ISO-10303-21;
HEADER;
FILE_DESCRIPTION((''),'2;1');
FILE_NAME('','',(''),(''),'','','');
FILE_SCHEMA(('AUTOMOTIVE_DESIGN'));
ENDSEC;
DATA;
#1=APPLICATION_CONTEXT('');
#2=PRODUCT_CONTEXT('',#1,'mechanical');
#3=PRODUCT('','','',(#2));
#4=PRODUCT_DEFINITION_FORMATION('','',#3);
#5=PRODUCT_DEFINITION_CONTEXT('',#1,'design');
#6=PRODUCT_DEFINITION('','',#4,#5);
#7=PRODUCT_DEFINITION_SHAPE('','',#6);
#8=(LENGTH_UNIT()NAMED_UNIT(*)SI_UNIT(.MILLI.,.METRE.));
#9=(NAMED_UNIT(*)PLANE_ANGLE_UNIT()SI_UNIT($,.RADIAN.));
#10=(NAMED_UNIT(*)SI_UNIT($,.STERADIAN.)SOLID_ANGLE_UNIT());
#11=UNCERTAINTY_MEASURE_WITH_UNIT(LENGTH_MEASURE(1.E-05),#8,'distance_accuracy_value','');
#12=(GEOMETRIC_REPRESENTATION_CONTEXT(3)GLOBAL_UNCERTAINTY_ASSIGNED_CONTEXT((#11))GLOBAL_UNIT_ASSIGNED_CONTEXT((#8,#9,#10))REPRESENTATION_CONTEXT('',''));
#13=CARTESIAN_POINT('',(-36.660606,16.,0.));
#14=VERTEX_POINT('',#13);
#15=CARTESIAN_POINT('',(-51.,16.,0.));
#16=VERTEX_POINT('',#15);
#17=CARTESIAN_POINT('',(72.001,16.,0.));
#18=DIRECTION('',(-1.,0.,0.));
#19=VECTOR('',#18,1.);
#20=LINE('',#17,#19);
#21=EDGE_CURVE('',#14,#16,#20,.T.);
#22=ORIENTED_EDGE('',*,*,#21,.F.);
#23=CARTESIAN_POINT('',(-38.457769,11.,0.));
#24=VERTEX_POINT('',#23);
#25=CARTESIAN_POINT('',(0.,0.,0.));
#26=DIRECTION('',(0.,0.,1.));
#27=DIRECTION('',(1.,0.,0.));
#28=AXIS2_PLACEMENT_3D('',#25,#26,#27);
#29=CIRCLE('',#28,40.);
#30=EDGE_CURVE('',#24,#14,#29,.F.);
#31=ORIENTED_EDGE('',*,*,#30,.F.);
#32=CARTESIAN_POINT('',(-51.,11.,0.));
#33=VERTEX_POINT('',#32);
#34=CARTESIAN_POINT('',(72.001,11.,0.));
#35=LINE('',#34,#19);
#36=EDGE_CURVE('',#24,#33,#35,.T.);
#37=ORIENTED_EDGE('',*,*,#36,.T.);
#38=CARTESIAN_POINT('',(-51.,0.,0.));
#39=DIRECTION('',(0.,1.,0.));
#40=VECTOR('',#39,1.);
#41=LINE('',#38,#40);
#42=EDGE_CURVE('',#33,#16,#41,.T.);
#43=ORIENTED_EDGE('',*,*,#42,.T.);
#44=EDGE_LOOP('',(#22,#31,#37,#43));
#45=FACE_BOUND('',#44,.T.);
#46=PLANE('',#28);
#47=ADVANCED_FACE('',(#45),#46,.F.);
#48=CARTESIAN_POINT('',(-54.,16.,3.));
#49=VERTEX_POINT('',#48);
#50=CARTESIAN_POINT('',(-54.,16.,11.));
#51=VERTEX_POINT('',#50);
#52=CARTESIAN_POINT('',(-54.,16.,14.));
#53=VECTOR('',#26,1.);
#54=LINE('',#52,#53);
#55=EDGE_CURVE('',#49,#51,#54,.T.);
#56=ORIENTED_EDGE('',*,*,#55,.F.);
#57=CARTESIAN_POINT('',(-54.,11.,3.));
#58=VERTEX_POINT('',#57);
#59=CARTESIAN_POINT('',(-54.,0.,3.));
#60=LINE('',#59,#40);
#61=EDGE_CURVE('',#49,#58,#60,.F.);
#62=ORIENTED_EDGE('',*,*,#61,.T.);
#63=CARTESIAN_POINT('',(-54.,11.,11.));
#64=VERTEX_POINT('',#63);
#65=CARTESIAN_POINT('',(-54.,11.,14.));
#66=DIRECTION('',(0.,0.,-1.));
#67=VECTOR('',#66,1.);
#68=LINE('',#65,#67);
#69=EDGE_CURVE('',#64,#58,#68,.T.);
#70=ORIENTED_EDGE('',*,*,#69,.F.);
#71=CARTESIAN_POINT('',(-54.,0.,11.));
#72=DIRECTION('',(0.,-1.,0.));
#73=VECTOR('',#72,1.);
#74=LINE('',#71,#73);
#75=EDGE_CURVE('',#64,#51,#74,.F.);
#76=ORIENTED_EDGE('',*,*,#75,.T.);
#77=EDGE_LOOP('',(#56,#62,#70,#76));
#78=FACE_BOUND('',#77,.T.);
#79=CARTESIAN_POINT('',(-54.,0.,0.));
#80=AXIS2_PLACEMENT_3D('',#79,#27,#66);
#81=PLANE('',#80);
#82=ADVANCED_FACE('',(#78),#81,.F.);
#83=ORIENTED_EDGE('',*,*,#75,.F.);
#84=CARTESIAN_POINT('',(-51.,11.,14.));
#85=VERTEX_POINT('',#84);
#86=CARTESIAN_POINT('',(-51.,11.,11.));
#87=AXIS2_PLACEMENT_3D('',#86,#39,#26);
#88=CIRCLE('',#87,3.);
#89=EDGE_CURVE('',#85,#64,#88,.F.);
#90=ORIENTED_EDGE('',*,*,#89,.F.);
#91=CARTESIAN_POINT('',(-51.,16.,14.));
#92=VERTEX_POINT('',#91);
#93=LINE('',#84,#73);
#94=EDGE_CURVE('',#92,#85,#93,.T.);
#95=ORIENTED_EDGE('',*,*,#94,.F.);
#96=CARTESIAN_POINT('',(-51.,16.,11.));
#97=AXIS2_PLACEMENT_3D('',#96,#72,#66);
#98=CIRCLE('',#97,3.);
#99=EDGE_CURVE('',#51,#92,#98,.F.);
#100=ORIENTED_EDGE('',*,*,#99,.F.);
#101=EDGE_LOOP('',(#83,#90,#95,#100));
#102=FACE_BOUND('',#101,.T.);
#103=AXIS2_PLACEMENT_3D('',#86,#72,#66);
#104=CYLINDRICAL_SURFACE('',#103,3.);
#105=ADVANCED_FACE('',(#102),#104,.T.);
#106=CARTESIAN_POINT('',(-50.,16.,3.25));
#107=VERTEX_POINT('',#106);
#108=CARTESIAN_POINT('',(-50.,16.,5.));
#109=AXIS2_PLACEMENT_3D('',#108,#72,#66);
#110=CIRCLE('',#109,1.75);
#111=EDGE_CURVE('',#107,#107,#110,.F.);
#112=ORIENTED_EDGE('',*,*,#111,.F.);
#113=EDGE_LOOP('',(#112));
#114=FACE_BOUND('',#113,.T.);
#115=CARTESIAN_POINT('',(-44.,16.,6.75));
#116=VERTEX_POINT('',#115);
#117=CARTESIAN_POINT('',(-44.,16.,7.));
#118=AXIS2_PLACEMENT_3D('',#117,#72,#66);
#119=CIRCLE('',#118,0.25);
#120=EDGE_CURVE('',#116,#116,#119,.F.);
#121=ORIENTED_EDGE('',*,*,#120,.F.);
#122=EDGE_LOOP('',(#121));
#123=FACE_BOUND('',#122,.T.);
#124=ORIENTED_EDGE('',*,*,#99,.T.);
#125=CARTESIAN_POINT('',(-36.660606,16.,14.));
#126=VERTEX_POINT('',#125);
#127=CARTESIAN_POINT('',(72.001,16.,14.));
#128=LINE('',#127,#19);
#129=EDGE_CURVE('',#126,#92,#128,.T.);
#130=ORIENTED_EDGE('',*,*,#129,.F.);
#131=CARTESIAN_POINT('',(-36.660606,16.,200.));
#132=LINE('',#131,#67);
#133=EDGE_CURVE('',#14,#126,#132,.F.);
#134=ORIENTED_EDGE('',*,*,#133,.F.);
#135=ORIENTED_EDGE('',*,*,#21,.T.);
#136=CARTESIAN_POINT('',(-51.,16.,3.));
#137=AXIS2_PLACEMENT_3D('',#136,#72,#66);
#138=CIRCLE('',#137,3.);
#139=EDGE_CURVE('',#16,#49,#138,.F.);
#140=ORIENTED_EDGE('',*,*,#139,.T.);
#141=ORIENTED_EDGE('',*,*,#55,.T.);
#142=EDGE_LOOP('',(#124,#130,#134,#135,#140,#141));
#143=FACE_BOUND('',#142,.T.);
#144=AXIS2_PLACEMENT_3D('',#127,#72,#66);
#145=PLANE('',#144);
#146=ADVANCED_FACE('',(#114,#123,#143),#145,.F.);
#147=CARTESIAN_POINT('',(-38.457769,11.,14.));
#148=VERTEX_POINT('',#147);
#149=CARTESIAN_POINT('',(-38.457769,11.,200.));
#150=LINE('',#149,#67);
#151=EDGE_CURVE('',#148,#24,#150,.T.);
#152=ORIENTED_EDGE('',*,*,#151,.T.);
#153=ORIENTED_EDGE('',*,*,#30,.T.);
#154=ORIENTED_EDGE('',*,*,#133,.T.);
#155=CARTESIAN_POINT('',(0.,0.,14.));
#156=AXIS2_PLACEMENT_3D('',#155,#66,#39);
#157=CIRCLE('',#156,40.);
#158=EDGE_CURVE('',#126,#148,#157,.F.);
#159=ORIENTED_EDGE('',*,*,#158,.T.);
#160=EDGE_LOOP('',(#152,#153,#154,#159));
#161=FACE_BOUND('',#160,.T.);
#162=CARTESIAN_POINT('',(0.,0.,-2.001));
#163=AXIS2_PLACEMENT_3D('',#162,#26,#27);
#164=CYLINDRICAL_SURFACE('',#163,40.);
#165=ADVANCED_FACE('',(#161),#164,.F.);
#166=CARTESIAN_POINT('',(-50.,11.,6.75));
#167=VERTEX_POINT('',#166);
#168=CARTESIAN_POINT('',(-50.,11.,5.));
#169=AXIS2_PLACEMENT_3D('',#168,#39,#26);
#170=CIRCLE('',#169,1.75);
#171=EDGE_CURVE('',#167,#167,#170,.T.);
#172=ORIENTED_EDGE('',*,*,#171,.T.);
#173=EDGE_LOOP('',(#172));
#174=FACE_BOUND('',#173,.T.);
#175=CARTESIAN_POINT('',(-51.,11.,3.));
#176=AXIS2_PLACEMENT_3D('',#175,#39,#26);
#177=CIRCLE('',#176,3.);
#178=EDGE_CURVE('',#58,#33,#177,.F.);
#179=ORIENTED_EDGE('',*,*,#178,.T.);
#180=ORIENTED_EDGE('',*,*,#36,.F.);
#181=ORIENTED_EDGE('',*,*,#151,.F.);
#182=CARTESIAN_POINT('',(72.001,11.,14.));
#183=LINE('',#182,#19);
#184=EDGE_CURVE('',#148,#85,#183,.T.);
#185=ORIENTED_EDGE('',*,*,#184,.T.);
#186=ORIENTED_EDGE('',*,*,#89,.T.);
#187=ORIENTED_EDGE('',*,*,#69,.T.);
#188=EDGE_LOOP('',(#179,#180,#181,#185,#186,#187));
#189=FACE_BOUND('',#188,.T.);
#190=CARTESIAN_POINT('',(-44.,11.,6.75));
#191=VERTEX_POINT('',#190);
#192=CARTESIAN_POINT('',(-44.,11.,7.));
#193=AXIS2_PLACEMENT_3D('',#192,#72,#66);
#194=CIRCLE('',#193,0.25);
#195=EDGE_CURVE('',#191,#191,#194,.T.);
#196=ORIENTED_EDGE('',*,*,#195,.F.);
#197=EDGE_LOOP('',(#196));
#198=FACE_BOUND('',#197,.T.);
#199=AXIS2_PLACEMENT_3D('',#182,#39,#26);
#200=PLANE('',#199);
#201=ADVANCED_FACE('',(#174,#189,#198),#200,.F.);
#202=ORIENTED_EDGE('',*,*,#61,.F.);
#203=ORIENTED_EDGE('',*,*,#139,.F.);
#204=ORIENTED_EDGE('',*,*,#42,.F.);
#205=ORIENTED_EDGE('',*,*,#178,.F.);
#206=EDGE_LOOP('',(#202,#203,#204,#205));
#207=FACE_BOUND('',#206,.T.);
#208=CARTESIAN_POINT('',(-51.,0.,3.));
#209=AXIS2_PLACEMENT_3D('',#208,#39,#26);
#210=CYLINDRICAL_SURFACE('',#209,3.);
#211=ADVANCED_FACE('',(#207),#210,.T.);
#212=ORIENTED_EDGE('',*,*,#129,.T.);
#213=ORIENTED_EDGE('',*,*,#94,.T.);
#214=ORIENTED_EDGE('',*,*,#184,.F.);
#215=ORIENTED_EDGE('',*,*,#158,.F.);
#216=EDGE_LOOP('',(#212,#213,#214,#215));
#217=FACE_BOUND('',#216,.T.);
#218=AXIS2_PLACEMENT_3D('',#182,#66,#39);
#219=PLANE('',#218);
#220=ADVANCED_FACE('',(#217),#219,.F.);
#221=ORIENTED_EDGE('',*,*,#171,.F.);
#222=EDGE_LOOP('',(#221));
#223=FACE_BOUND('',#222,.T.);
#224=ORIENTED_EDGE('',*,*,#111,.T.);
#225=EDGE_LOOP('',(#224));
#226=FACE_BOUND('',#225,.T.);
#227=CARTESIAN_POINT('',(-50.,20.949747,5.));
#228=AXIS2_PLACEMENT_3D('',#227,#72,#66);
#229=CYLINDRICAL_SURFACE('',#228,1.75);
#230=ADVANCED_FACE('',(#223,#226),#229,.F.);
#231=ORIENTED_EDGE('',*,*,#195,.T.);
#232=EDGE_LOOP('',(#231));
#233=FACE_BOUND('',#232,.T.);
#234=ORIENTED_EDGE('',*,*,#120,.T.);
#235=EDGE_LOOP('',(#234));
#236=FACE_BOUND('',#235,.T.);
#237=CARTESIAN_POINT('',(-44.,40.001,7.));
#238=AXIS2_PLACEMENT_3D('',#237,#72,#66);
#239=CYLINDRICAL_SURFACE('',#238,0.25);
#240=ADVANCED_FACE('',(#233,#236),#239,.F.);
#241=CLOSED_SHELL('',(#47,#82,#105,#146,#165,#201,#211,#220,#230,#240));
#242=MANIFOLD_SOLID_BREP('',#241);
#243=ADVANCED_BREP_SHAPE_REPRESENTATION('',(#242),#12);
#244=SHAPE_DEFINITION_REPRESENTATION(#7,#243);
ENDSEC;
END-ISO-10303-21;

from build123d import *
from build123d.topology import SkipClean

# Parameters (mm, degrees)
SKETCH1_R                      = 40
SKETCH1_R_2                    = 38
BOSS_EXTRUDE1_DEPTH            = 200
SKETCH2_R                      = 40
BOSS_EXTRUDE2_DEPTH            = 2
BOSS_EXTRUDE3_DEPTH            = 107
BOSS_EXTRUDE4_DEPTH            = 2
SKETCH5_R                      = 1.75
CUT_EXTRUDE1_DEPTH             = 225.428162226
CUT_EXTRUDE2_REACH             = 218.296
SKETCH6_R                      = 4
CUT_EXTRUDE2_DIRECTION_2_REACH = 218.296
CIRPATTERN1_COUNT              = 2
CIRPATTERN1_ANGLE              = 90
BOSS_EXTRUDE5_REACH            = 241.742
BOSS_EXTRUDE5_END_RADIUS       = 40
SKETCH7_W                      = 14
SKETCH7_H                      = 5
CUT_EXTRUDE3_REACH             = 221.818
SKETCH8_R                      = 1.75
FILLET1_R                      = 3
CUT_EXTRUDE4_REACH             = 220.598
SKETCH9_R                      = 0.25
BOSS_EXTRUDE6_START            = 2
BOSS_EXTRUDE6_DEPTH            = 2
CUT_EXTRUDE5_REACH             = 220.147


with BuildPart() as part:
    # Sketch1 → Boss-Extrude1 (new body)
    with BuildSketch(Plane.XY):
        Circle(SKETCH1_R)
        Circle(SKETCH1_R_2, mode=Mode.SUBTRACT)
    extrude(amount=BOSS_EXTRUDE1_DEPTH)

    # Sketch2 → Boss-Extrude2 (add)
    with BuildSketch(Plane.XY.offset(180)):
        Circle(SKETCH2_R)
    extrude(amount=BOSS_EXTRUDE2_DEPTH)

    # Sketch3 → Boss-Extrude3 (add)
    with BuildSketch(Plane(origin=(0, 0, 0), x_dir=(-1, 0, 0), z_dir=(0, 0, -1))):
        with BuildLine():
            Line((-24, -32), (-72, -32))
            Line((-72, -32), (-72, -30))
            Line((-72, -30), (-26.457513111, -30))
            ThreePointArc((-26.457513111, -30), (-25.248567431, -31.024342744), (-24, -32))
        make_face()
        with BuildLine():
            Line((-24, 32), (-72, 32))
            Line((-72, 32), (-72, 30))
            Line((-72, 30), (-26.457513111, 30))
            ThreePointArc((-26.457513111, 30), (-25.248567431, 31.024342744), (-24, 32))
        make_face()
    extrude(amount=-BOSS_EXTRUDE3_DEPTH)

    # Sketch4 → Boss-Extrude4 (add)
    with BuildSketch(Plane.XY.offset(107)):
        with BuildLine():
            Line((72, -32), (24, -32))
            ThreePointArc((24, -32), (40, 0), (24, 32))
            Line((24, 32), (72, 32))
            Line((72, 32), (72, -32))
        make_face()
    extrude(amount=BOSS_EXTRUDE4_DEPTH)

    # Sketch5 → Cut-Extrude1 (cut, through all)
    with BuildSketch(Plane(origin=(0, 32, 0), x_dir=(1, 0, 0), z_dir=(0, 1, 0))):
        with Locations(Location((43.5, -102.5, 0), (0, 0, 270))):
            Circle(SKETCH5_R)
        with Locations(Location((43.5, -3.5, 0), (0, 0, 270))):
            Circle(SKETCH5_R)
        with Locations(Location((68.5, -78, 0), (0, 0, 270))):
            Circle(SKETCH5_R)
    extrude(amount=-CUT_EXTRUDE1_DEPTH, mode=Mode.SUBTRACT)

    # Sketch6 → Cut-Extrude2 (cut, up to next)
    with BuildSketch(Plane(origin=(0, 0, 0), x_dir=(0, 0, 1), z_dir=(-0.7071067811865488, 0.7071067811865464, 0)), mode=Mode.PRIVATE) as cut_extrude2_sk1:
        with Locations(Location((187, 0, 0), (0, 0, 90))):
            Circle(SKETCH6_R)
    cut_extrude2_tool1 = extrude(cut_extrude2_sk1.sketch, amount=-CUT_EXTRUDE2_REACH, mode=Mode.PRIVATE) & part.part
    cut_extrude2 = cut_extrude2_tool1.solids().sort_by_distance((0, 0, 187))[0]
    add(cut_extrude2, mode=Mode.SUBTRACT)

    # Sketch6 → Cut-Extrude2 direction 2 (cut, up to next)
    with BuildSketch(Plane(origin=(0, 0, 0), x_dir=(0, 0, 1), z_dir=(-0.7071067811865488, 0.7071067811865464, 0)), mode=Mode.PRIVATE) as cut_extrude2_direction_2_sk1:
        with Locations(Location((187, 0, 0), (0, 0, 90))):
            Circle(SKETCH6_R)
    cut_extrude2_direction_2_tool1 = extrude(cut_extrude2_direction_2_sk1.sketch, amount=CUT_EXTRUDE2_DIRECTION_2_REACH, mode=Mode.PRIVATE) & part.part
    cut_extrude2_direction_2 = cut_extrude2_direction_2_tool1.solids().sort_by_distance((0, 0, 187))[0]
    add(cut_extrude2_direction_2, mode=Mode.SUBTRACT)

    # CirPattern1: Cut-Extrude2, Cut-Extrude2 direction 2 ×2 about axis
    cirpattern1_axis = Axis((0, 0, -12.1), (0, 0, 1))
    add([cut_extrude2.rotate(cirpattern1_axis, i * CIRPATTERN1_ANGLE / (CIRPATTERN1_COUNT - 1)) for i in range(1, CIRPATTERN1_COUNT)], mode=Mode.SUBTRACT)
    add([cut_extrude2_direction_2.rotate(cirpattern1_axis, i * CIRPATTERN1_ANGLE / (CIRPATTERN1_COUNT - 1)) for i in range(1, CIRPATTERN1_COUNT)], mode=Mode.SUBTRACT)

    # Boss-Extrude5: up to this cylinder (the profile starts outside it)
    boss_extrude5_end = Plane(origin=(0, 0, 7), z_dir=(0, 0, -1)) * Cylinder(BOSS_EXTRUDE5_END_RADIUS, 564.484, mode=Mode.PRIVATE)
    # Sketch7 → Boss-Extrude5 (add, up to the surface)
    with BuildSketch(Plane(origin=(-54, 0, 0), x_dir=(0, 0, -1), z_dir=(1, 0, 0)), mode=Mode.PRIVATE) as boss_extrude5_sk1:
        with Locations((-7, -13.5)):
            Rectangle(SKETCH7_W, SKETCH7_H)
    boss_extrude5_tool1 = extrude(boss_extrude5_sk1.sketch, amount=BOSS_EXTRUDE5_REACH, mode=Mode.PRIVATE) - boss_extrude5_end
    add(boss_extrude5_tool1.solids().sort_by_distance((-54, -13.5, 7))[0])
    # Sketch7 → Boss-Extrude5 (add, up to the surface)
    with BuildSketch(Plane(origin=(-54, 0, 0), x_dir=(0, 0, -1), z_dir=(1, 0, 0)), mode=Mode.PRIVATE) as boss_extrude5_sk2:
        with Locations((-7, 13.5)):
            Rectangle(SKETCH7_W, SKETCH7_H)
    boss_extrude5_tool2 = extrude(boss_extrude5_sk2.sketch, amount=BOSS_EXTRUDE5_REACH, mode=Mode.PRIVATE) - boss_extrude5_end
    add(boss_extrude5_tool2.solids().sort_by_distance((-54, 13.5, 7))[0])

    # Cut-Extrude3: up to this face of the body (flat: up to its plane)
    cut_extrude3_end = Plane(part.part.faces().sort_by_distance((-45.33030278, 16, 7))[0])
    # Sketch8 → Cut-Extrude3 (cut, up to the picked face)
    with BuildSketch(Plane.XZ.offset(16), mode=Mode.PRIVATE) as cut_extrude3_sk1:
        with Locations(Location((-50, 5, 0), (0, 0, 270))):
            Circle(SKETCH8_R)
    cut_extrude3_tool1 = split(extrude(cut_extrude3_sk1.sketch, amount=-CUT_EXTRUDE3_REACH, mode=Mode.PRIVATE), bisect_by=cut_extrude3_end, keep=Keep.BOTH, mode=Mode.PRIVATE)
    add(cut_extrude3_tool1.solids().sort_by(Axis((-50, -16, 5), (0, 1, 0)))[0], mode=Mode.SUBTRACT)

    # Fillet1
    fillet1_edges = [part.edges().sort_by_distance(p)[0] for p in [
        (-54, -13.5, 14),
        (-54, -13.5, 0),
        (-54, 13.5, 0),
        (-54, 13.5, 14),
    ]]
    fillet(fillet1_edges, radius=FILLET1_R)

    # Sketch9 → Cut-Extrude4 (cut, up to next)
    with BuildSketch(Plane.XZ.offset(-11), mode=Mode.PRIVATE) as cut_extrude4_sk1:
        with Locations(Location((-44, 7, 0), (0, 0, 270))):
            Circle(SKETCH9_R)
    cut_extrude4_tool1 = extrude(cut_extrude4_sk1.sketch, amount=-CUT_EXTRUDE4_REACH, mode=Mode.PRIVATE) & part.part
    add(cut_extrude4_tool1.solids().sort_by_distance((-44, 11, 7))[0], mode=Mode.SUBTRACT)

    # Sketch10 → Boss-Extrude6 (add)
    with SkipClean():  # the faces are left unmerged after this step: merging them gives an invalid solid
        with BuildSketch(Plane(origin=(0, 0, 0), x_dir=(-1, 0, 0), z_dir=(0, 0, -1)).offset(BOSS_EXTRUDE6_START)):
            with BuildLine():
                ThreePointArc((10, -36.66060556), (0, -38), (-10, -36.66060556))
                Line((-10, -36.66060556), (-10, -38.729833462))
                ThreePointArc((-10, -38.729833462), (0, -40), (10, -38.729833462))
                Line((10, -38.729833462), (10, -36.66060556))
            make_face()
            with BuildLine():
                ThreePointArc((10, 38.729833462), (0, 40), (-10, 38.729833462))
                Line((-10, 38.729833462), (-10, 36.66060556))
                ThreePointArc((-10, 36.66060556), (0, 38), (10, 36.66060556))
                Line((10, 36.66060556), (10, 38.729833462))
            make_face()
        extrude(amount=-BOSS_EXTRUDE6_DEPTH)

    # Sketch11 → Cut-Extrude5 (cut, up to next)
    with BuildSketch(Plane.XY.offset(200), mode=Mode.PRIVATE) as cut_extrude5_sk1:
        with BuildLine():
            ThreePointArc((14.062684519, 37.446507235), (-20.975291487, 34.059318065), (-39.768785027, 4.294617267))
            ThreePointArc((-39.768785027, 4.294617267), (-57.533773757, -120.199175418), (66.76517374, -101.118533584))
            ThreePointArc((66.76517374, -101.118533584), (210.736936915, 32.945452835), (14.062684519, 37.446507235))
        make_face()
    cut_extrude5_tool1 = extrude(cut_extrude5_sk1.sketch, amount=-CUT_EXTRUDE5_REACH, mode=Mode.PRIVATE) & part.part
    add(cut_extrude5_tool1.solids().sort_by_distance((72.535197, -23.225739, 200))[0], mode=Mode.SUBTRACT)


solid = part.part
